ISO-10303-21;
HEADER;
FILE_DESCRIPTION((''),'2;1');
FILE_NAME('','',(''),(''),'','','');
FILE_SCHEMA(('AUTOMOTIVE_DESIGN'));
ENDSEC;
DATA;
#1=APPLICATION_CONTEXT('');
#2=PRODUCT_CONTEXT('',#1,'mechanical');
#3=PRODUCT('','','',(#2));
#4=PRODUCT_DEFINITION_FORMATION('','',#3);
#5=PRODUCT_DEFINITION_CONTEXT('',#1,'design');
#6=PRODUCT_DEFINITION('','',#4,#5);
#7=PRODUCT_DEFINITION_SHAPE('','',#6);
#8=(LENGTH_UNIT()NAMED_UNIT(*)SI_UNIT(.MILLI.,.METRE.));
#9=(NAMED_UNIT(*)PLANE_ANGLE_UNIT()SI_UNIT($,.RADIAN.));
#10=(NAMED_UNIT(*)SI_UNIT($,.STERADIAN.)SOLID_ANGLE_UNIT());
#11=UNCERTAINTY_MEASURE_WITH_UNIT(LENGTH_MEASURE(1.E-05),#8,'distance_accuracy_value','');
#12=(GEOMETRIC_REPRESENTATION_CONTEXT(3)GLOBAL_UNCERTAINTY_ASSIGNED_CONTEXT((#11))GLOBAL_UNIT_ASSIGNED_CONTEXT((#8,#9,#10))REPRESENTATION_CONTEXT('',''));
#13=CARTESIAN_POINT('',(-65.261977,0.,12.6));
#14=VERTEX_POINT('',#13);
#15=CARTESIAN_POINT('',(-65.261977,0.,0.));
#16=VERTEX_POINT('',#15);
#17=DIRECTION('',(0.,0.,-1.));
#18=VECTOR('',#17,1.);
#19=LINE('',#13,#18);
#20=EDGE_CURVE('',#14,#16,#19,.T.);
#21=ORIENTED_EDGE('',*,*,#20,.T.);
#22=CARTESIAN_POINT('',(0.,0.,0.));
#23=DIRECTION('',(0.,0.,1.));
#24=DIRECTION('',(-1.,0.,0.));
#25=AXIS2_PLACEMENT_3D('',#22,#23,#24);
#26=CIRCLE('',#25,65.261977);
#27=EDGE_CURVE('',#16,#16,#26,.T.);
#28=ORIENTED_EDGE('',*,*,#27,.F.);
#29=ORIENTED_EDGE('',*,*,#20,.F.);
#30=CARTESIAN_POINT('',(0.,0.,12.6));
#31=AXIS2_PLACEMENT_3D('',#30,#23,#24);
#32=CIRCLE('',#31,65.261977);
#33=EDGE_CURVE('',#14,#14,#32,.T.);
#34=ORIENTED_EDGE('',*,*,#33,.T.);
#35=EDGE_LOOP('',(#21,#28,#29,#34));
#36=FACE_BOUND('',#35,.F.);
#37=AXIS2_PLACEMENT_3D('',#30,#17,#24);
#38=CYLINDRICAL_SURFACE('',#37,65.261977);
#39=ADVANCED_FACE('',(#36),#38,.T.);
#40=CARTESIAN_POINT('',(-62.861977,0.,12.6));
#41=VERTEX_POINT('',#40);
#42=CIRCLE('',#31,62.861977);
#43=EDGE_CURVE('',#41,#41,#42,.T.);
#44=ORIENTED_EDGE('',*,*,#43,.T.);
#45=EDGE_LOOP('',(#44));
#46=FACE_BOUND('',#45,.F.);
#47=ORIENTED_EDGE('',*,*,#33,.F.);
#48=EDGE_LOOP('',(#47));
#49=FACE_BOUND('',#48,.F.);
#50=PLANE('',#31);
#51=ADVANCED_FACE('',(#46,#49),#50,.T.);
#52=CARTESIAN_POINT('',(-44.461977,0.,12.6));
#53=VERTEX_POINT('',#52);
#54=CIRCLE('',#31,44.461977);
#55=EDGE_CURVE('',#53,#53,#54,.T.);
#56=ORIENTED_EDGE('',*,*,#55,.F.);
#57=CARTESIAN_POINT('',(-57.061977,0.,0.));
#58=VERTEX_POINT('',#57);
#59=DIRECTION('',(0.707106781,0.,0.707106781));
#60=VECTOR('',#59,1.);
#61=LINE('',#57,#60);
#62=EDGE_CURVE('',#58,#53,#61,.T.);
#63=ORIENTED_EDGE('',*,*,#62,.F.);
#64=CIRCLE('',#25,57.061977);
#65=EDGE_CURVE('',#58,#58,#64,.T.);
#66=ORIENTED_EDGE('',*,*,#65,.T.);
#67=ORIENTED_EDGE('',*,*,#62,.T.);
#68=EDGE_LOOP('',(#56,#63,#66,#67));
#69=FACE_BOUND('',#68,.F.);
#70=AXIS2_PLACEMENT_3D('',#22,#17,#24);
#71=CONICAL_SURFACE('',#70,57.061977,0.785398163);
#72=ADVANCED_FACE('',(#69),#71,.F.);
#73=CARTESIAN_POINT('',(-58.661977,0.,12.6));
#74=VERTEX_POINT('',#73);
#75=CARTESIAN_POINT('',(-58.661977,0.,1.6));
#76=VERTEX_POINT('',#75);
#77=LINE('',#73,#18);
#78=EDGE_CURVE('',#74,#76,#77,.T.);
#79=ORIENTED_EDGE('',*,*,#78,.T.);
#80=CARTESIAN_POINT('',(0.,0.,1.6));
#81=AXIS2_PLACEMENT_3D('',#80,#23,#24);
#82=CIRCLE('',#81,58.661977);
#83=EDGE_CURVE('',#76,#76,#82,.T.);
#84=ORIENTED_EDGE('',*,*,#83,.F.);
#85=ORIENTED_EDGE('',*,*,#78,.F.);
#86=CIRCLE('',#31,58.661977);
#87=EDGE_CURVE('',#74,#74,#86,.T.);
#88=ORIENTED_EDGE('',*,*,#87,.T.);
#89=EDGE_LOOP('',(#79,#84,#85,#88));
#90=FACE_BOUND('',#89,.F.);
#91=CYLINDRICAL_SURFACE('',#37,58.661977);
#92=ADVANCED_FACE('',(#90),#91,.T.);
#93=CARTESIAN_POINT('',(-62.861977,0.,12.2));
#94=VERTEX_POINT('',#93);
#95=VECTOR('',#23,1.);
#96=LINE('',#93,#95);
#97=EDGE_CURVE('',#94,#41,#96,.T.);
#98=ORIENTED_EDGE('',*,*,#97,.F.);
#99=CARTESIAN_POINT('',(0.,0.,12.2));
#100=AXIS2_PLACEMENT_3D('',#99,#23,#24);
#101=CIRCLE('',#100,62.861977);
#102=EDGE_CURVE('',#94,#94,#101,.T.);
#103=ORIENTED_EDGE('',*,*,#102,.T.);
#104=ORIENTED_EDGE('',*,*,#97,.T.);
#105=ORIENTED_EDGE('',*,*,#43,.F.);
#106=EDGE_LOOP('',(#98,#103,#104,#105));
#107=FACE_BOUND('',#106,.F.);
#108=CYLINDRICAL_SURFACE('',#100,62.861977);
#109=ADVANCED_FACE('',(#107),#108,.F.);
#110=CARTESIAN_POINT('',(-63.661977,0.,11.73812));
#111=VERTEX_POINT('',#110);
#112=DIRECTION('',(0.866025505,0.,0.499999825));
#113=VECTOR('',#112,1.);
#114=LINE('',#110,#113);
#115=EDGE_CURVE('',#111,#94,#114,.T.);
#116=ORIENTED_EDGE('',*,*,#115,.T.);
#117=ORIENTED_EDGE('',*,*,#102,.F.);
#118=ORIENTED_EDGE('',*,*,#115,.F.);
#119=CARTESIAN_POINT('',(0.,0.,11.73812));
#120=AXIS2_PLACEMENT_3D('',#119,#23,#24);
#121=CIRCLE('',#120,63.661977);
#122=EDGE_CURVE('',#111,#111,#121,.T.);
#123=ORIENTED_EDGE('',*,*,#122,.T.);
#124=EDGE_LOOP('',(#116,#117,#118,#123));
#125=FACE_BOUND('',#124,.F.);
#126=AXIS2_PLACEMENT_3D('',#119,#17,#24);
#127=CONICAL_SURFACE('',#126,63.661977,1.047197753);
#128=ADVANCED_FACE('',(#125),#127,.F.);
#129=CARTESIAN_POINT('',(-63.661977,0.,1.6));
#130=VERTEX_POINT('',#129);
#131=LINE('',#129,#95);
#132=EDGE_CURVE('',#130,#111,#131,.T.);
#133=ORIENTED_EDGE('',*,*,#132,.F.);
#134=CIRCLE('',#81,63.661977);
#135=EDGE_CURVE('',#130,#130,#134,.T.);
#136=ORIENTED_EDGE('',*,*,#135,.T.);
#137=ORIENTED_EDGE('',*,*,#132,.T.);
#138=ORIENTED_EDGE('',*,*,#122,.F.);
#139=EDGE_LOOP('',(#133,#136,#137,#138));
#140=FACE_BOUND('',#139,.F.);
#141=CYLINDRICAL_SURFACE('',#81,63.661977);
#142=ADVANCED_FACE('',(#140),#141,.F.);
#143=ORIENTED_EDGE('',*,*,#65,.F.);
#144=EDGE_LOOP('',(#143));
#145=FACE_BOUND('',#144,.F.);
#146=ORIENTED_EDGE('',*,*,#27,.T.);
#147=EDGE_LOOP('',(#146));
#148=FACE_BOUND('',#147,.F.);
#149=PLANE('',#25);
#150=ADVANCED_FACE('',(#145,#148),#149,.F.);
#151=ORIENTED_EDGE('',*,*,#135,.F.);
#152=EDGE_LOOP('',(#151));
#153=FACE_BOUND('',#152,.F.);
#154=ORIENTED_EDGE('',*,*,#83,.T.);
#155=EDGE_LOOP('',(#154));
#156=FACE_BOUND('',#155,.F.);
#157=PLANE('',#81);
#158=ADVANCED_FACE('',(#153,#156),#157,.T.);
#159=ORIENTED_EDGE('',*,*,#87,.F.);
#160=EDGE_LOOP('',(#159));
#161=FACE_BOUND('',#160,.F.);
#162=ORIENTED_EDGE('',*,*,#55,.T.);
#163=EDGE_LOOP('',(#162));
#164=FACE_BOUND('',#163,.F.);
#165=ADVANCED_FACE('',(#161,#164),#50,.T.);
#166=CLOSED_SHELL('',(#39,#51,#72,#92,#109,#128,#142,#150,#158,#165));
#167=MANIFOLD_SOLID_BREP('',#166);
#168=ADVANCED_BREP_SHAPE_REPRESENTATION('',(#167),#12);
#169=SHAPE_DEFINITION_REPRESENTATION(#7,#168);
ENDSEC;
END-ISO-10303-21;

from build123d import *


with BuildPart() as f1:
    # F0 (on Front) → F1 (revolve)
    with BuildSketch(Plane.XZ):
        Polygon((-63.661977, 12.6), (-65.261977, 12.6), (-65.261977, 0), (-57.061977, 0), (-44.461977, 12.6), (-57.061977, 12.6), (-58.661977, 12.6), (-58.661977, 1.6), (-63.661977, 1.6), (-63.661977, 11.73812), align=None)
        Polygon((-62.861977, 12.6), (-63.661977, 12.6), (-63.661977, 11.73812), (-62.861977, 12.2), align=None)
    revolve(axis=Axis((0, 0, 15.851399), (0, 0, 1)))


solid = f1.part
